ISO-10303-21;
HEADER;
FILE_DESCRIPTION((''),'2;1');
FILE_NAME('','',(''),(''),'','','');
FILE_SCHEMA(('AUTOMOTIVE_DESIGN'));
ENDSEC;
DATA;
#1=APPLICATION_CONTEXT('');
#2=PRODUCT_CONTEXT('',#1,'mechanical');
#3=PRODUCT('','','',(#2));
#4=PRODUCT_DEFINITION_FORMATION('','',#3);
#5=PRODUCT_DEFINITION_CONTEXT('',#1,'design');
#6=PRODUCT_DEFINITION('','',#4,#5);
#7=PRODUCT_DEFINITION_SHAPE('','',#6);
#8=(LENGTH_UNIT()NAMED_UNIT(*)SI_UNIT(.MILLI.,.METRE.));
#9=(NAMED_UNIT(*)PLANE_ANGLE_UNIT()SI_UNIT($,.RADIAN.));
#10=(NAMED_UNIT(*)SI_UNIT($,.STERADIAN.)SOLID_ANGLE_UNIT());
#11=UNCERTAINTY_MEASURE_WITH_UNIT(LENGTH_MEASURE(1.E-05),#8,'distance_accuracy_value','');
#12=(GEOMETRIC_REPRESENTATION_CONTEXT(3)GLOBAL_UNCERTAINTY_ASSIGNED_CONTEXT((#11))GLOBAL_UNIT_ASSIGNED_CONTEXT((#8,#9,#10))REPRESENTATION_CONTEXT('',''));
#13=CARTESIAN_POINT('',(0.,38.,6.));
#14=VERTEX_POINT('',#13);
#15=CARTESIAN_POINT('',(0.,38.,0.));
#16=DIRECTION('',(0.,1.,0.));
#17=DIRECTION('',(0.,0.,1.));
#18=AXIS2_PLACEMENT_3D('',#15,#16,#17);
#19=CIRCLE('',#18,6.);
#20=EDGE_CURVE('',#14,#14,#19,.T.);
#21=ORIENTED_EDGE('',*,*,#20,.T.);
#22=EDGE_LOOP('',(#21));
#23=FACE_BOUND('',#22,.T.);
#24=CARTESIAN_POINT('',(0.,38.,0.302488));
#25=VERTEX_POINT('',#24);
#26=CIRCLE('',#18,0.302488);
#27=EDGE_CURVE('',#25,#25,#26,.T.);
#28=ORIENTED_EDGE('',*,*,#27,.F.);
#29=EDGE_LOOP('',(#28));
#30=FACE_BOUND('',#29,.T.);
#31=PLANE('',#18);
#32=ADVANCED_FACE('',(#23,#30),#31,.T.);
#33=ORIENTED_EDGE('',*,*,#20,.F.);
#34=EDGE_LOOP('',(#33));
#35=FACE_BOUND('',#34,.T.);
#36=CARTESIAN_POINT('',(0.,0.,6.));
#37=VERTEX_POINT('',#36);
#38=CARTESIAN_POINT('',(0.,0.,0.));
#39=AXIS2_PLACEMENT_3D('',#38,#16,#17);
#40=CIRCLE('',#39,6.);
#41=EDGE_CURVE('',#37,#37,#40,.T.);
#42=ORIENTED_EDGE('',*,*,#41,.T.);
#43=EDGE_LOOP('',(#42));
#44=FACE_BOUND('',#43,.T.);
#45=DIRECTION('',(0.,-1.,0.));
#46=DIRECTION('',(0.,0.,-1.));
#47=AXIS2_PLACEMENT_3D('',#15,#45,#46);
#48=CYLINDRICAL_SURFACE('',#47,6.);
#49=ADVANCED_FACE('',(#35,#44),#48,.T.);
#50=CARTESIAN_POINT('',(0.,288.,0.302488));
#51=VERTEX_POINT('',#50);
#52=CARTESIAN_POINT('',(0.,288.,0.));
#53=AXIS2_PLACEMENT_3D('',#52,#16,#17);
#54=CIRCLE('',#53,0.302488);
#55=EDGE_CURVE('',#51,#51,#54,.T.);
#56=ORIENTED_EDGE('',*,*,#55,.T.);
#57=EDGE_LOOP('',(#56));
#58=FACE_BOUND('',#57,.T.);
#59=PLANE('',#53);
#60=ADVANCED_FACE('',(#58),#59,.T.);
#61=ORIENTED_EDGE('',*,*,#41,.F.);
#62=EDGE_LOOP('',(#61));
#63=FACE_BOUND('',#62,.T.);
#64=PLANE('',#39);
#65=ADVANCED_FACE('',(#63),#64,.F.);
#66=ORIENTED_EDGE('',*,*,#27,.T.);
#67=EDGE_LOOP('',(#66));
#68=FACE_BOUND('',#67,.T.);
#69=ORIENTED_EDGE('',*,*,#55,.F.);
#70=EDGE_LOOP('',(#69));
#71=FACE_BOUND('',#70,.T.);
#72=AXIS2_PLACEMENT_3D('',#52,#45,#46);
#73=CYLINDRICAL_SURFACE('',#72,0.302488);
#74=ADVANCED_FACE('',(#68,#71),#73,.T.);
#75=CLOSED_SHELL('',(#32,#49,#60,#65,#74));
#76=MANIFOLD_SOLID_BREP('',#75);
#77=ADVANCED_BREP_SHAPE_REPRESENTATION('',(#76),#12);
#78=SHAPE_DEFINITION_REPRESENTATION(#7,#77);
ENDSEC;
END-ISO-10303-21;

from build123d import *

# Parameters (mm, degrees)
SKETCH1_R           = 6
BOSS_EXTRUDE1_DEPTH = 38
SKETCH2_R           = 0.302488
BOSS_EXTRUDE2_DEPTH = 250


with BuildPart() as part:
    # Sketch1 → Boss-Extrude1 (new body)
    with BuildSketch(Plane(origin=(0, 0, 0), x_dir=(1, 0, 0), z_dir=(0, 1, 0))):
        with Locations(Location((0, 0, 0), (0, 0, 270))):
            Circle(SKETCH1_R)
    extrude(amount=BOSS_EXTRUDE1_DEPTH)

    # Sketch2 → Boss-Extrude2 (add)
    with BuildSketch(Plane(origin=(0, 38, 0), x_dir=(1, 0, 0), z_dir=(0, 1, 0))):
        with Locations(Location((0, 0, 0), (0, 0, 270))):
            Circle(SKETCH2_R)
    extrude(amount=BOSS_EXTRUDE2_DEPTH)


solid = part.part
